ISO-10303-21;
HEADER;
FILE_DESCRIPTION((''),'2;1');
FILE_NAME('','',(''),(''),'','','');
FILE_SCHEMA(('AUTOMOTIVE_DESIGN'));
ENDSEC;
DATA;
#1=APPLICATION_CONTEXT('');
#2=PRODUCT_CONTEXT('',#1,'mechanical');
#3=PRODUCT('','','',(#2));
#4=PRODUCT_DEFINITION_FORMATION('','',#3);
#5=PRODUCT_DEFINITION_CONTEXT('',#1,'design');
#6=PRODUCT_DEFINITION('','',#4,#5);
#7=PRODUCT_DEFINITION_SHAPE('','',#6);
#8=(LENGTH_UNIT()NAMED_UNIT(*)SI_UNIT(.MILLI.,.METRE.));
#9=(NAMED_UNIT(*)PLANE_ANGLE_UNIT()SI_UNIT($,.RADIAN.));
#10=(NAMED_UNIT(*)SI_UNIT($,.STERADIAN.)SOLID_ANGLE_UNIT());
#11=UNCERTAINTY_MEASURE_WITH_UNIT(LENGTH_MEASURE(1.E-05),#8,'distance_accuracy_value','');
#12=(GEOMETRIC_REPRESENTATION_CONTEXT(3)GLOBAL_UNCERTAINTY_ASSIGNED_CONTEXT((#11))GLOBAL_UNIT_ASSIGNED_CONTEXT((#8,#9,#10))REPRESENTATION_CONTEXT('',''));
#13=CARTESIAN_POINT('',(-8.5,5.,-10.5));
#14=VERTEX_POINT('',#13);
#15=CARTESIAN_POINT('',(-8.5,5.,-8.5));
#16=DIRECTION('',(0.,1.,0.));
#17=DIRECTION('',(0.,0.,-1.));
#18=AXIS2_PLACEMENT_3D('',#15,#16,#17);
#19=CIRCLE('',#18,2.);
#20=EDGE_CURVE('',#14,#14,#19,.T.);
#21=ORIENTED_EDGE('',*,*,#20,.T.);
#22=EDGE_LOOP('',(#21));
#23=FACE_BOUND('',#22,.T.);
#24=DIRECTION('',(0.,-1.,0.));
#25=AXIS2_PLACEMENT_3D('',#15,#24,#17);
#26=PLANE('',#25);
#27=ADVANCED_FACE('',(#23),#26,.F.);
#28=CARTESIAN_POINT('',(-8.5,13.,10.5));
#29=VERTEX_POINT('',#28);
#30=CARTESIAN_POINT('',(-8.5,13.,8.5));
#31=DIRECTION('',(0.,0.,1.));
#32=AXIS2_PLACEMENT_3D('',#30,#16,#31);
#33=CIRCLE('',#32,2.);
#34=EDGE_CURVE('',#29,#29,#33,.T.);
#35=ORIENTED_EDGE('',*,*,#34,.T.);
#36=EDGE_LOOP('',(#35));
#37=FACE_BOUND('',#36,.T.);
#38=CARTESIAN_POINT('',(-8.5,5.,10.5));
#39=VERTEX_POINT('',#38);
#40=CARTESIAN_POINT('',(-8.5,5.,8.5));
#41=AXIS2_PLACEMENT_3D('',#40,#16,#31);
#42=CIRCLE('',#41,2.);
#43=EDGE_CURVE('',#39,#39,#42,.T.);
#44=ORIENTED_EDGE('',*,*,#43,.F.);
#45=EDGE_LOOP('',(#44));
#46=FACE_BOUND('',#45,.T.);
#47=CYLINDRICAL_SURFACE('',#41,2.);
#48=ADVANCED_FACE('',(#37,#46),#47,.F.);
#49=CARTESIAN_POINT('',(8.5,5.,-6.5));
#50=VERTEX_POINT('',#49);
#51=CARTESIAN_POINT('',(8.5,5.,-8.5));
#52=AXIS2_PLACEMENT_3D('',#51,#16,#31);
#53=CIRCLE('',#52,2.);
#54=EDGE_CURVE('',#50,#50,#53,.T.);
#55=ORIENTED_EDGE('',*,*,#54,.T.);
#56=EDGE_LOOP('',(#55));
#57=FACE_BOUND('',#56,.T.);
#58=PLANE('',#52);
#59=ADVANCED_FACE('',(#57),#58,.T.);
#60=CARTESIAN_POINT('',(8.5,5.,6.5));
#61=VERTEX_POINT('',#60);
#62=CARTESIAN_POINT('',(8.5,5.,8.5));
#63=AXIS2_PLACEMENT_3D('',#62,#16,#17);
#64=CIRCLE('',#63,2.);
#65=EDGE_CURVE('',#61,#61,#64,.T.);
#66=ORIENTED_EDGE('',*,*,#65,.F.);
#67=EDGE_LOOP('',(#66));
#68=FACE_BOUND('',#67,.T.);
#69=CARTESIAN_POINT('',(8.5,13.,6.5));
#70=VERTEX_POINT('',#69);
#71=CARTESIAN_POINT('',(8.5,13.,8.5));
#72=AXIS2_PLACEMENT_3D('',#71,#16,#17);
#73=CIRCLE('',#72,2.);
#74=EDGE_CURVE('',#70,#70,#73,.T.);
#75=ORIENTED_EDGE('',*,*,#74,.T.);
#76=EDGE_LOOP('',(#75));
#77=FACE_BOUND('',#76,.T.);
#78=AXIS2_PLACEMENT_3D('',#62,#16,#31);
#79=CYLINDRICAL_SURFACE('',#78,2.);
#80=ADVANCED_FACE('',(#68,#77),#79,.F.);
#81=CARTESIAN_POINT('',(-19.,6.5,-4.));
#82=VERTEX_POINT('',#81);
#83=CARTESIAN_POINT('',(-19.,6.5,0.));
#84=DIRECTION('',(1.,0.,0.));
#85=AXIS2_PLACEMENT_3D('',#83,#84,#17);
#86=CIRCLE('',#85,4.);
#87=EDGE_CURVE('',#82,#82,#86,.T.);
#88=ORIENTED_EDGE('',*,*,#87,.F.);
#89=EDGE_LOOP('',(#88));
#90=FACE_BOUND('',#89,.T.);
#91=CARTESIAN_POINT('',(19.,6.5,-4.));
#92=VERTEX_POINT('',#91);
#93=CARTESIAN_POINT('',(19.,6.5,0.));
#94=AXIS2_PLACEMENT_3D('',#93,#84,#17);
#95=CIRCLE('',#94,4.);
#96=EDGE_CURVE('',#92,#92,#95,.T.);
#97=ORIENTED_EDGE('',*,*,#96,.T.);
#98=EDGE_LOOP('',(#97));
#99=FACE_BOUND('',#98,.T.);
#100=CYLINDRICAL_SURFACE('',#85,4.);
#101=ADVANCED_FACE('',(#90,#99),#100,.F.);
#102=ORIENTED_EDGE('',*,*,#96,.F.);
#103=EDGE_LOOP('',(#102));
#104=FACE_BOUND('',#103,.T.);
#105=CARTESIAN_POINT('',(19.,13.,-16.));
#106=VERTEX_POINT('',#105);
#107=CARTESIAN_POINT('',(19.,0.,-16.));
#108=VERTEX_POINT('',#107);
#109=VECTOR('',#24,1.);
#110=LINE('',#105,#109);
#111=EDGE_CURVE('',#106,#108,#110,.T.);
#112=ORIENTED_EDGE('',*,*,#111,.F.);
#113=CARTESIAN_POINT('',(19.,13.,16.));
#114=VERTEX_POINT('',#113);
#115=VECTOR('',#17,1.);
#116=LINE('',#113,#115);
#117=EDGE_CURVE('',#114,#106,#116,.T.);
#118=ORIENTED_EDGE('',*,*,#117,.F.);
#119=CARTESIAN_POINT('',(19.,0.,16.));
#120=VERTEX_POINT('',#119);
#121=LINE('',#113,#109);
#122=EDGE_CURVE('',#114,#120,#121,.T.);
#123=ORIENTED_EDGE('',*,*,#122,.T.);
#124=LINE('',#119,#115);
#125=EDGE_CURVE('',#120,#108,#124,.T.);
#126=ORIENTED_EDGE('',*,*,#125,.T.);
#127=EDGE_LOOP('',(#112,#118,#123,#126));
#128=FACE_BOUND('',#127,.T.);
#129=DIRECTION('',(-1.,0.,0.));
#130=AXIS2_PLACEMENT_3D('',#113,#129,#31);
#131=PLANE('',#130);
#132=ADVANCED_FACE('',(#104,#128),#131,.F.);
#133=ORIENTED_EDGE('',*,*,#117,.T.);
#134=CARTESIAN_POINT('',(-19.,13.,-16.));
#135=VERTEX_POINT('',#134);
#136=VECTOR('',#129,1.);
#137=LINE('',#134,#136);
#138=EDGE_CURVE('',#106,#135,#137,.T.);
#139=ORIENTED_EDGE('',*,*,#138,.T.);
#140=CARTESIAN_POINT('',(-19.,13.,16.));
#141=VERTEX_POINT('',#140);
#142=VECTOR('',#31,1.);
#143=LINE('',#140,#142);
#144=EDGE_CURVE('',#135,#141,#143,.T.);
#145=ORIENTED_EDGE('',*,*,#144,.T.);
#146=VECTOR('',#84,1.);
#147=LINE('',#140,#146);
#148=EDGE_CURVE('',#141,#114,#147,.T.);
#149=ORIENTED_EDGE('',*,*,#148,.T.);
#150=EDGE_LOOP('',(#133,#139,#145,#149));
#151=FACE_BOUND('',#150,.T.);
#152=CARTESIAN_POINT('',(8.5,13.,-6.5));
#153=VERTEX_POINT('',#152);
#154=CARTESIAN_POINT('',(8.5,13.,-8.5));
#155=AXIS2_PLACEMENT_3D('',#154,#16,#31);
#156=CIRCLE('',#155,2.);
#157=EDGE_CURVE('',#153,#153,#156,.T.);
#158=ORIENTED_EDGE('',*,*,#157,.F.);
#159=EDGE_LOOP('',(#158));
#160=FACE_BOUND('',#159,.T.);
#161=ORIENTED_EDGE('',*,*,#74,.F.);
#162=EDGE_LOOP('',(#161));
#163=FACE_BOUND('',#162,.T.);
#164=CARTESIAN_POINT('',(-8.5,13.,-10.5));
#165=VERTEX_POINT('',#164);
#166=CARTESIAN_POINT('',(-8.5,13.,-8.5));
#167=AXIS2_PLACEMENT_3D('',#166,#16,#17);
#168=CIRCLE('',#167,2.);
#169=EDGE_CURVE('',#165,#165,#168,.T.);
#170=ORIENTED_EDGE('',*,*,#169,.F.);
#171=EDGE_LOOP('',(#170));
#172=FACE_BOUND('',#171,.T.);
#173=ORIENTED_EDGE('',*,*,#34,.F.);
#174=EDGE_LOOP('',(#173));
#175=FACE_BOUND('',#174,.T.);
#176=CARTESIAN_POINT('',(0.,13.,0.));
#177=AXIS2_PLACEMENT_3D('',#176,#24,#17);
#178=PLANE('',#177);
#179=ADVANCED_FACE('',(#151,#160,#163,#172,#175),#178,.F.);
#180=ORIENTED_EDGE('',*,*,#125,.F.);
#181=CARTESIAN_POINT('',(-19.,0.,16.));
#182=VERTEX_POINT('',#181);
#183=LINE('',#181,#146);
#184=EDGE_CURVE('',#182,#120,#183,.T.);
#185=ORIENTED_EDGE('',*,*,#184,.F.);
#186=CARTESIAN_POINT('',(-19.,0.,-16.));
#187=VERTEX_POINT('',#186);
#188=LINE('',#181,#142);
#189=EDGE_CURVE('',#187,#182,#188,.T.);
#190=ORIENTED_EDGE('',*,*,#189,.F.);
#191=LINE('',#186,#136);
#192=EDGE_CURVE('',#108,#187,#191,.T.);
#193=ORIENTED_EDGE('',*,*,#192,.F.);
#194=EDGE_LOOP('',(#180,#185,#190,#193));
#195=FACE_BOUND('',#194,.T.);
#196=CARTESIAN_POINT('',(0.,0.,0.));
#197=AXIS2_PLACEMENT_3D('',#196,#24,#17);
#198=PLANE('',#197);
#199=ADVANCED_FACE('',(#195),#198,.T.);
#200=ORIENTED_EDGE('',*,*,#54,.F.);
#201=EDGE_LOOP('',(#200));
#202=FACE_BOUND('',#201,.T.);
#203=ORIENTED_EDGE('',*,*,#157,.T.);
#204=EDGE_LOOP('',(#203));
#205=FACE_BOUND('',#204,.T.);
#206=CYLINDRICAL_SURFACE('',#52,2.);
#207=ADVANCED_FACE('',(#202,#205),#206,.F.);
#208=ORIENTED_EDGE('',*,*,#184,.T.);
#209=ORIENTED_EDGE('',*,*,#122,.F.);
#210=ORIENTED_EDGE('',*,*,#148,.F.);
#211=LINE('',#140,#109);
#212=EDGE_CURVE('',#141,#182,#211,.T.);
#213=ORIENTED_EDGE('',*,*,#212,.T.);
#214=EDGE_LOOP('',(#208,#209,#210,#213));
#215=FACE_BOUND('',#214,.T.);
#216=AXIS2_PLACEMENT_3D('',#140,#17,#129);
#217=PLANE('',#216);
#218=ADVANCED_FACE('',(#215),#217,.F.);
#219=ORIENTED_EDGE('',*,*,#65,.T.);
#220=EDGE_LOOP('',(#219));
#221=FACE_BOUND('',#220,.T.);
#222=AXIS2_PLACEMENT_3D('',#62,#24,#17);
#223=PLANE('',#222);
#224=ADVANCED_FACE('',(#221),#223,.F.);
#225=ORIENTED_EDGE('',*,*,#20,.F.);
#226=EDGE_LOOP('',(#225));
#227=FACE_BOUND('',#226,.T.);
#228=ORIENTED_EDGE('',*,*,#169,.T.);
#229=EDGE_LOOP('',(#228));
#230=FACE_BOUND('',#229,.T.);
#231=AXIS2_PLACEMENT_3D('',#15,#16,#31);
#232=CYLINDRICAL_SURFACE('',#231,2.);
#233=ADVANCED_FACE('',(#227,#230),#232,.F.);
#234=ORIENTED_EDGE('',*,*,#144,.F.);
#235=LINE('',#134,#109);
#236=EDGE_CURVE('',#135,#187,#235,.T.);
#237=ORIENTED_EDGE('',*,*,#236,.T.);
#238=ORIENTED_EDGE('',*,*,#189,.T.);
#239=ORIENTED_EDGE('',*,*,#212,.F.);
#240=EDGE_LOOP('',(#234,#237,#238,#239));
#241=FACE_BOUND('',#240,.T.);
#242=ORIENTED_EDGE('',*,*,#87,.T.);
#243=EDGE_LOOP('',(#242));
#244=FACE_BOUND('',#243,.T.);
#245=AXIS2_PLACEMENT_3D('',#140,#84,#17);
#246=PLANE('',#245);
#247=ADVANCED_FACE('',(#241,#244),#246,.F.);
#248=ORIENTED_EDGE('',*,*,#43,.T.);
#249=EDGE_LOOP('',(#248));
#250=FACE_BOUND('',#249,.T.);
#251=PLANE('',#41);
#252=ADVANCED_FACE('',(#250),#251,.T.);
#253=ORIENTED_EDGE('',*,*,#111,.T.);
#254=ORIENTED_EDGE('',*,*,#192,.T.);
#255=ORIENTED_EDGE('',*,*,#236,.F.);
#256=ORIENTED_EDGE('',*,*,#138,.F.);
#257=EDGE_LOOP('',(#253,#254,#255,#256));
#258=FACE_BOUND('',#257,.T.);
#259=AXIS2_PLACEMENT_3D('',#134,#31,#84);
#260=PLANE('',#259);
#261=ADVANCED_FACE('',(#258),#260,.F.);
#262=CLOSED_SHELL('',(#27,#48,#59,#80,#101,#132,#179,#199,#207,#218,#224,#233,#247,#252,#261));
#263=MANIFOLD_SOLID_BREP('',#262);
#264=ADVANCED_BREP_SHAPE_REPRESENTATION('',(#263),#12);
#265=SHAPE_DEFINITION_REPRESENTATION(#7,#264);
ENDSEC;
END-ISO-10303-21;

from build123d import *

# Parameters (mm, degrees)
SKETCH1_W           = 38
SKETCH1_H           = 32
BOSS_EXTRUDE1_DEPTH = 13
SKETCH2_R           = 2
CUT_EXTRUDE1_DEPTH  = 8
SKETCH3_R           = 4
CUT_EXTRUDE2_DEPTH  = 44.231932642


with BuildPart() as part:
    # Sketch1 → Boss-Extrude1 (new body)
    with BuildSketch(Plane(origin=(0, 0, 0), x_dir=(1, 0, 0), z_dir=(0, 1, 0))):
        Rectangle(SKETCH1_W, SKETCH1_H)
    extrude(amount=BOSS_EXTRUDE1_DEPTH)

    # Sketch2 → Cut-Extrude1 (cut)
    with BuildSketch(Plane(origin=(0, 13, 0), x_dir=(1, 0, 0), z_dir=(0, 1, 0))):
        with Locations(Location((8.5, 8.5, 0), (0, 0, 270))):
            Circle(SKETCH2_R)
        with Locations(Location((-8.5, 8.5, 0), (0, 0, 90))):
            Circle(SKETCH2_R)
        with Locations(Location((-8.5, -8.5, 0), (0, 0, 270))):
            Circle(SKETCH2_R)
        with Locations(Location((8.5, -8.5, 0), (0, 0, 90))):
            Circle(SKETCH2_R)
    extrude(amount=-CUT_EXTRUDE1_DEPTH, mode=Mode.SUBTRACT)

    # Sketch3 → Cut-Extrude2 (cut, through all)
    with BuildSketch(Plane(origin=(19, 0, 0), x_dir=(0, 0, -1), z_dir=(1, 0, 0))):
        with Locations((0, 6.5)):
            Circle(SKETCH3_R)
    extrude(amount=-CUT_EXTRUDE2_DEPTH, mode=Mode.SUBTRACT)


solid = part.part
